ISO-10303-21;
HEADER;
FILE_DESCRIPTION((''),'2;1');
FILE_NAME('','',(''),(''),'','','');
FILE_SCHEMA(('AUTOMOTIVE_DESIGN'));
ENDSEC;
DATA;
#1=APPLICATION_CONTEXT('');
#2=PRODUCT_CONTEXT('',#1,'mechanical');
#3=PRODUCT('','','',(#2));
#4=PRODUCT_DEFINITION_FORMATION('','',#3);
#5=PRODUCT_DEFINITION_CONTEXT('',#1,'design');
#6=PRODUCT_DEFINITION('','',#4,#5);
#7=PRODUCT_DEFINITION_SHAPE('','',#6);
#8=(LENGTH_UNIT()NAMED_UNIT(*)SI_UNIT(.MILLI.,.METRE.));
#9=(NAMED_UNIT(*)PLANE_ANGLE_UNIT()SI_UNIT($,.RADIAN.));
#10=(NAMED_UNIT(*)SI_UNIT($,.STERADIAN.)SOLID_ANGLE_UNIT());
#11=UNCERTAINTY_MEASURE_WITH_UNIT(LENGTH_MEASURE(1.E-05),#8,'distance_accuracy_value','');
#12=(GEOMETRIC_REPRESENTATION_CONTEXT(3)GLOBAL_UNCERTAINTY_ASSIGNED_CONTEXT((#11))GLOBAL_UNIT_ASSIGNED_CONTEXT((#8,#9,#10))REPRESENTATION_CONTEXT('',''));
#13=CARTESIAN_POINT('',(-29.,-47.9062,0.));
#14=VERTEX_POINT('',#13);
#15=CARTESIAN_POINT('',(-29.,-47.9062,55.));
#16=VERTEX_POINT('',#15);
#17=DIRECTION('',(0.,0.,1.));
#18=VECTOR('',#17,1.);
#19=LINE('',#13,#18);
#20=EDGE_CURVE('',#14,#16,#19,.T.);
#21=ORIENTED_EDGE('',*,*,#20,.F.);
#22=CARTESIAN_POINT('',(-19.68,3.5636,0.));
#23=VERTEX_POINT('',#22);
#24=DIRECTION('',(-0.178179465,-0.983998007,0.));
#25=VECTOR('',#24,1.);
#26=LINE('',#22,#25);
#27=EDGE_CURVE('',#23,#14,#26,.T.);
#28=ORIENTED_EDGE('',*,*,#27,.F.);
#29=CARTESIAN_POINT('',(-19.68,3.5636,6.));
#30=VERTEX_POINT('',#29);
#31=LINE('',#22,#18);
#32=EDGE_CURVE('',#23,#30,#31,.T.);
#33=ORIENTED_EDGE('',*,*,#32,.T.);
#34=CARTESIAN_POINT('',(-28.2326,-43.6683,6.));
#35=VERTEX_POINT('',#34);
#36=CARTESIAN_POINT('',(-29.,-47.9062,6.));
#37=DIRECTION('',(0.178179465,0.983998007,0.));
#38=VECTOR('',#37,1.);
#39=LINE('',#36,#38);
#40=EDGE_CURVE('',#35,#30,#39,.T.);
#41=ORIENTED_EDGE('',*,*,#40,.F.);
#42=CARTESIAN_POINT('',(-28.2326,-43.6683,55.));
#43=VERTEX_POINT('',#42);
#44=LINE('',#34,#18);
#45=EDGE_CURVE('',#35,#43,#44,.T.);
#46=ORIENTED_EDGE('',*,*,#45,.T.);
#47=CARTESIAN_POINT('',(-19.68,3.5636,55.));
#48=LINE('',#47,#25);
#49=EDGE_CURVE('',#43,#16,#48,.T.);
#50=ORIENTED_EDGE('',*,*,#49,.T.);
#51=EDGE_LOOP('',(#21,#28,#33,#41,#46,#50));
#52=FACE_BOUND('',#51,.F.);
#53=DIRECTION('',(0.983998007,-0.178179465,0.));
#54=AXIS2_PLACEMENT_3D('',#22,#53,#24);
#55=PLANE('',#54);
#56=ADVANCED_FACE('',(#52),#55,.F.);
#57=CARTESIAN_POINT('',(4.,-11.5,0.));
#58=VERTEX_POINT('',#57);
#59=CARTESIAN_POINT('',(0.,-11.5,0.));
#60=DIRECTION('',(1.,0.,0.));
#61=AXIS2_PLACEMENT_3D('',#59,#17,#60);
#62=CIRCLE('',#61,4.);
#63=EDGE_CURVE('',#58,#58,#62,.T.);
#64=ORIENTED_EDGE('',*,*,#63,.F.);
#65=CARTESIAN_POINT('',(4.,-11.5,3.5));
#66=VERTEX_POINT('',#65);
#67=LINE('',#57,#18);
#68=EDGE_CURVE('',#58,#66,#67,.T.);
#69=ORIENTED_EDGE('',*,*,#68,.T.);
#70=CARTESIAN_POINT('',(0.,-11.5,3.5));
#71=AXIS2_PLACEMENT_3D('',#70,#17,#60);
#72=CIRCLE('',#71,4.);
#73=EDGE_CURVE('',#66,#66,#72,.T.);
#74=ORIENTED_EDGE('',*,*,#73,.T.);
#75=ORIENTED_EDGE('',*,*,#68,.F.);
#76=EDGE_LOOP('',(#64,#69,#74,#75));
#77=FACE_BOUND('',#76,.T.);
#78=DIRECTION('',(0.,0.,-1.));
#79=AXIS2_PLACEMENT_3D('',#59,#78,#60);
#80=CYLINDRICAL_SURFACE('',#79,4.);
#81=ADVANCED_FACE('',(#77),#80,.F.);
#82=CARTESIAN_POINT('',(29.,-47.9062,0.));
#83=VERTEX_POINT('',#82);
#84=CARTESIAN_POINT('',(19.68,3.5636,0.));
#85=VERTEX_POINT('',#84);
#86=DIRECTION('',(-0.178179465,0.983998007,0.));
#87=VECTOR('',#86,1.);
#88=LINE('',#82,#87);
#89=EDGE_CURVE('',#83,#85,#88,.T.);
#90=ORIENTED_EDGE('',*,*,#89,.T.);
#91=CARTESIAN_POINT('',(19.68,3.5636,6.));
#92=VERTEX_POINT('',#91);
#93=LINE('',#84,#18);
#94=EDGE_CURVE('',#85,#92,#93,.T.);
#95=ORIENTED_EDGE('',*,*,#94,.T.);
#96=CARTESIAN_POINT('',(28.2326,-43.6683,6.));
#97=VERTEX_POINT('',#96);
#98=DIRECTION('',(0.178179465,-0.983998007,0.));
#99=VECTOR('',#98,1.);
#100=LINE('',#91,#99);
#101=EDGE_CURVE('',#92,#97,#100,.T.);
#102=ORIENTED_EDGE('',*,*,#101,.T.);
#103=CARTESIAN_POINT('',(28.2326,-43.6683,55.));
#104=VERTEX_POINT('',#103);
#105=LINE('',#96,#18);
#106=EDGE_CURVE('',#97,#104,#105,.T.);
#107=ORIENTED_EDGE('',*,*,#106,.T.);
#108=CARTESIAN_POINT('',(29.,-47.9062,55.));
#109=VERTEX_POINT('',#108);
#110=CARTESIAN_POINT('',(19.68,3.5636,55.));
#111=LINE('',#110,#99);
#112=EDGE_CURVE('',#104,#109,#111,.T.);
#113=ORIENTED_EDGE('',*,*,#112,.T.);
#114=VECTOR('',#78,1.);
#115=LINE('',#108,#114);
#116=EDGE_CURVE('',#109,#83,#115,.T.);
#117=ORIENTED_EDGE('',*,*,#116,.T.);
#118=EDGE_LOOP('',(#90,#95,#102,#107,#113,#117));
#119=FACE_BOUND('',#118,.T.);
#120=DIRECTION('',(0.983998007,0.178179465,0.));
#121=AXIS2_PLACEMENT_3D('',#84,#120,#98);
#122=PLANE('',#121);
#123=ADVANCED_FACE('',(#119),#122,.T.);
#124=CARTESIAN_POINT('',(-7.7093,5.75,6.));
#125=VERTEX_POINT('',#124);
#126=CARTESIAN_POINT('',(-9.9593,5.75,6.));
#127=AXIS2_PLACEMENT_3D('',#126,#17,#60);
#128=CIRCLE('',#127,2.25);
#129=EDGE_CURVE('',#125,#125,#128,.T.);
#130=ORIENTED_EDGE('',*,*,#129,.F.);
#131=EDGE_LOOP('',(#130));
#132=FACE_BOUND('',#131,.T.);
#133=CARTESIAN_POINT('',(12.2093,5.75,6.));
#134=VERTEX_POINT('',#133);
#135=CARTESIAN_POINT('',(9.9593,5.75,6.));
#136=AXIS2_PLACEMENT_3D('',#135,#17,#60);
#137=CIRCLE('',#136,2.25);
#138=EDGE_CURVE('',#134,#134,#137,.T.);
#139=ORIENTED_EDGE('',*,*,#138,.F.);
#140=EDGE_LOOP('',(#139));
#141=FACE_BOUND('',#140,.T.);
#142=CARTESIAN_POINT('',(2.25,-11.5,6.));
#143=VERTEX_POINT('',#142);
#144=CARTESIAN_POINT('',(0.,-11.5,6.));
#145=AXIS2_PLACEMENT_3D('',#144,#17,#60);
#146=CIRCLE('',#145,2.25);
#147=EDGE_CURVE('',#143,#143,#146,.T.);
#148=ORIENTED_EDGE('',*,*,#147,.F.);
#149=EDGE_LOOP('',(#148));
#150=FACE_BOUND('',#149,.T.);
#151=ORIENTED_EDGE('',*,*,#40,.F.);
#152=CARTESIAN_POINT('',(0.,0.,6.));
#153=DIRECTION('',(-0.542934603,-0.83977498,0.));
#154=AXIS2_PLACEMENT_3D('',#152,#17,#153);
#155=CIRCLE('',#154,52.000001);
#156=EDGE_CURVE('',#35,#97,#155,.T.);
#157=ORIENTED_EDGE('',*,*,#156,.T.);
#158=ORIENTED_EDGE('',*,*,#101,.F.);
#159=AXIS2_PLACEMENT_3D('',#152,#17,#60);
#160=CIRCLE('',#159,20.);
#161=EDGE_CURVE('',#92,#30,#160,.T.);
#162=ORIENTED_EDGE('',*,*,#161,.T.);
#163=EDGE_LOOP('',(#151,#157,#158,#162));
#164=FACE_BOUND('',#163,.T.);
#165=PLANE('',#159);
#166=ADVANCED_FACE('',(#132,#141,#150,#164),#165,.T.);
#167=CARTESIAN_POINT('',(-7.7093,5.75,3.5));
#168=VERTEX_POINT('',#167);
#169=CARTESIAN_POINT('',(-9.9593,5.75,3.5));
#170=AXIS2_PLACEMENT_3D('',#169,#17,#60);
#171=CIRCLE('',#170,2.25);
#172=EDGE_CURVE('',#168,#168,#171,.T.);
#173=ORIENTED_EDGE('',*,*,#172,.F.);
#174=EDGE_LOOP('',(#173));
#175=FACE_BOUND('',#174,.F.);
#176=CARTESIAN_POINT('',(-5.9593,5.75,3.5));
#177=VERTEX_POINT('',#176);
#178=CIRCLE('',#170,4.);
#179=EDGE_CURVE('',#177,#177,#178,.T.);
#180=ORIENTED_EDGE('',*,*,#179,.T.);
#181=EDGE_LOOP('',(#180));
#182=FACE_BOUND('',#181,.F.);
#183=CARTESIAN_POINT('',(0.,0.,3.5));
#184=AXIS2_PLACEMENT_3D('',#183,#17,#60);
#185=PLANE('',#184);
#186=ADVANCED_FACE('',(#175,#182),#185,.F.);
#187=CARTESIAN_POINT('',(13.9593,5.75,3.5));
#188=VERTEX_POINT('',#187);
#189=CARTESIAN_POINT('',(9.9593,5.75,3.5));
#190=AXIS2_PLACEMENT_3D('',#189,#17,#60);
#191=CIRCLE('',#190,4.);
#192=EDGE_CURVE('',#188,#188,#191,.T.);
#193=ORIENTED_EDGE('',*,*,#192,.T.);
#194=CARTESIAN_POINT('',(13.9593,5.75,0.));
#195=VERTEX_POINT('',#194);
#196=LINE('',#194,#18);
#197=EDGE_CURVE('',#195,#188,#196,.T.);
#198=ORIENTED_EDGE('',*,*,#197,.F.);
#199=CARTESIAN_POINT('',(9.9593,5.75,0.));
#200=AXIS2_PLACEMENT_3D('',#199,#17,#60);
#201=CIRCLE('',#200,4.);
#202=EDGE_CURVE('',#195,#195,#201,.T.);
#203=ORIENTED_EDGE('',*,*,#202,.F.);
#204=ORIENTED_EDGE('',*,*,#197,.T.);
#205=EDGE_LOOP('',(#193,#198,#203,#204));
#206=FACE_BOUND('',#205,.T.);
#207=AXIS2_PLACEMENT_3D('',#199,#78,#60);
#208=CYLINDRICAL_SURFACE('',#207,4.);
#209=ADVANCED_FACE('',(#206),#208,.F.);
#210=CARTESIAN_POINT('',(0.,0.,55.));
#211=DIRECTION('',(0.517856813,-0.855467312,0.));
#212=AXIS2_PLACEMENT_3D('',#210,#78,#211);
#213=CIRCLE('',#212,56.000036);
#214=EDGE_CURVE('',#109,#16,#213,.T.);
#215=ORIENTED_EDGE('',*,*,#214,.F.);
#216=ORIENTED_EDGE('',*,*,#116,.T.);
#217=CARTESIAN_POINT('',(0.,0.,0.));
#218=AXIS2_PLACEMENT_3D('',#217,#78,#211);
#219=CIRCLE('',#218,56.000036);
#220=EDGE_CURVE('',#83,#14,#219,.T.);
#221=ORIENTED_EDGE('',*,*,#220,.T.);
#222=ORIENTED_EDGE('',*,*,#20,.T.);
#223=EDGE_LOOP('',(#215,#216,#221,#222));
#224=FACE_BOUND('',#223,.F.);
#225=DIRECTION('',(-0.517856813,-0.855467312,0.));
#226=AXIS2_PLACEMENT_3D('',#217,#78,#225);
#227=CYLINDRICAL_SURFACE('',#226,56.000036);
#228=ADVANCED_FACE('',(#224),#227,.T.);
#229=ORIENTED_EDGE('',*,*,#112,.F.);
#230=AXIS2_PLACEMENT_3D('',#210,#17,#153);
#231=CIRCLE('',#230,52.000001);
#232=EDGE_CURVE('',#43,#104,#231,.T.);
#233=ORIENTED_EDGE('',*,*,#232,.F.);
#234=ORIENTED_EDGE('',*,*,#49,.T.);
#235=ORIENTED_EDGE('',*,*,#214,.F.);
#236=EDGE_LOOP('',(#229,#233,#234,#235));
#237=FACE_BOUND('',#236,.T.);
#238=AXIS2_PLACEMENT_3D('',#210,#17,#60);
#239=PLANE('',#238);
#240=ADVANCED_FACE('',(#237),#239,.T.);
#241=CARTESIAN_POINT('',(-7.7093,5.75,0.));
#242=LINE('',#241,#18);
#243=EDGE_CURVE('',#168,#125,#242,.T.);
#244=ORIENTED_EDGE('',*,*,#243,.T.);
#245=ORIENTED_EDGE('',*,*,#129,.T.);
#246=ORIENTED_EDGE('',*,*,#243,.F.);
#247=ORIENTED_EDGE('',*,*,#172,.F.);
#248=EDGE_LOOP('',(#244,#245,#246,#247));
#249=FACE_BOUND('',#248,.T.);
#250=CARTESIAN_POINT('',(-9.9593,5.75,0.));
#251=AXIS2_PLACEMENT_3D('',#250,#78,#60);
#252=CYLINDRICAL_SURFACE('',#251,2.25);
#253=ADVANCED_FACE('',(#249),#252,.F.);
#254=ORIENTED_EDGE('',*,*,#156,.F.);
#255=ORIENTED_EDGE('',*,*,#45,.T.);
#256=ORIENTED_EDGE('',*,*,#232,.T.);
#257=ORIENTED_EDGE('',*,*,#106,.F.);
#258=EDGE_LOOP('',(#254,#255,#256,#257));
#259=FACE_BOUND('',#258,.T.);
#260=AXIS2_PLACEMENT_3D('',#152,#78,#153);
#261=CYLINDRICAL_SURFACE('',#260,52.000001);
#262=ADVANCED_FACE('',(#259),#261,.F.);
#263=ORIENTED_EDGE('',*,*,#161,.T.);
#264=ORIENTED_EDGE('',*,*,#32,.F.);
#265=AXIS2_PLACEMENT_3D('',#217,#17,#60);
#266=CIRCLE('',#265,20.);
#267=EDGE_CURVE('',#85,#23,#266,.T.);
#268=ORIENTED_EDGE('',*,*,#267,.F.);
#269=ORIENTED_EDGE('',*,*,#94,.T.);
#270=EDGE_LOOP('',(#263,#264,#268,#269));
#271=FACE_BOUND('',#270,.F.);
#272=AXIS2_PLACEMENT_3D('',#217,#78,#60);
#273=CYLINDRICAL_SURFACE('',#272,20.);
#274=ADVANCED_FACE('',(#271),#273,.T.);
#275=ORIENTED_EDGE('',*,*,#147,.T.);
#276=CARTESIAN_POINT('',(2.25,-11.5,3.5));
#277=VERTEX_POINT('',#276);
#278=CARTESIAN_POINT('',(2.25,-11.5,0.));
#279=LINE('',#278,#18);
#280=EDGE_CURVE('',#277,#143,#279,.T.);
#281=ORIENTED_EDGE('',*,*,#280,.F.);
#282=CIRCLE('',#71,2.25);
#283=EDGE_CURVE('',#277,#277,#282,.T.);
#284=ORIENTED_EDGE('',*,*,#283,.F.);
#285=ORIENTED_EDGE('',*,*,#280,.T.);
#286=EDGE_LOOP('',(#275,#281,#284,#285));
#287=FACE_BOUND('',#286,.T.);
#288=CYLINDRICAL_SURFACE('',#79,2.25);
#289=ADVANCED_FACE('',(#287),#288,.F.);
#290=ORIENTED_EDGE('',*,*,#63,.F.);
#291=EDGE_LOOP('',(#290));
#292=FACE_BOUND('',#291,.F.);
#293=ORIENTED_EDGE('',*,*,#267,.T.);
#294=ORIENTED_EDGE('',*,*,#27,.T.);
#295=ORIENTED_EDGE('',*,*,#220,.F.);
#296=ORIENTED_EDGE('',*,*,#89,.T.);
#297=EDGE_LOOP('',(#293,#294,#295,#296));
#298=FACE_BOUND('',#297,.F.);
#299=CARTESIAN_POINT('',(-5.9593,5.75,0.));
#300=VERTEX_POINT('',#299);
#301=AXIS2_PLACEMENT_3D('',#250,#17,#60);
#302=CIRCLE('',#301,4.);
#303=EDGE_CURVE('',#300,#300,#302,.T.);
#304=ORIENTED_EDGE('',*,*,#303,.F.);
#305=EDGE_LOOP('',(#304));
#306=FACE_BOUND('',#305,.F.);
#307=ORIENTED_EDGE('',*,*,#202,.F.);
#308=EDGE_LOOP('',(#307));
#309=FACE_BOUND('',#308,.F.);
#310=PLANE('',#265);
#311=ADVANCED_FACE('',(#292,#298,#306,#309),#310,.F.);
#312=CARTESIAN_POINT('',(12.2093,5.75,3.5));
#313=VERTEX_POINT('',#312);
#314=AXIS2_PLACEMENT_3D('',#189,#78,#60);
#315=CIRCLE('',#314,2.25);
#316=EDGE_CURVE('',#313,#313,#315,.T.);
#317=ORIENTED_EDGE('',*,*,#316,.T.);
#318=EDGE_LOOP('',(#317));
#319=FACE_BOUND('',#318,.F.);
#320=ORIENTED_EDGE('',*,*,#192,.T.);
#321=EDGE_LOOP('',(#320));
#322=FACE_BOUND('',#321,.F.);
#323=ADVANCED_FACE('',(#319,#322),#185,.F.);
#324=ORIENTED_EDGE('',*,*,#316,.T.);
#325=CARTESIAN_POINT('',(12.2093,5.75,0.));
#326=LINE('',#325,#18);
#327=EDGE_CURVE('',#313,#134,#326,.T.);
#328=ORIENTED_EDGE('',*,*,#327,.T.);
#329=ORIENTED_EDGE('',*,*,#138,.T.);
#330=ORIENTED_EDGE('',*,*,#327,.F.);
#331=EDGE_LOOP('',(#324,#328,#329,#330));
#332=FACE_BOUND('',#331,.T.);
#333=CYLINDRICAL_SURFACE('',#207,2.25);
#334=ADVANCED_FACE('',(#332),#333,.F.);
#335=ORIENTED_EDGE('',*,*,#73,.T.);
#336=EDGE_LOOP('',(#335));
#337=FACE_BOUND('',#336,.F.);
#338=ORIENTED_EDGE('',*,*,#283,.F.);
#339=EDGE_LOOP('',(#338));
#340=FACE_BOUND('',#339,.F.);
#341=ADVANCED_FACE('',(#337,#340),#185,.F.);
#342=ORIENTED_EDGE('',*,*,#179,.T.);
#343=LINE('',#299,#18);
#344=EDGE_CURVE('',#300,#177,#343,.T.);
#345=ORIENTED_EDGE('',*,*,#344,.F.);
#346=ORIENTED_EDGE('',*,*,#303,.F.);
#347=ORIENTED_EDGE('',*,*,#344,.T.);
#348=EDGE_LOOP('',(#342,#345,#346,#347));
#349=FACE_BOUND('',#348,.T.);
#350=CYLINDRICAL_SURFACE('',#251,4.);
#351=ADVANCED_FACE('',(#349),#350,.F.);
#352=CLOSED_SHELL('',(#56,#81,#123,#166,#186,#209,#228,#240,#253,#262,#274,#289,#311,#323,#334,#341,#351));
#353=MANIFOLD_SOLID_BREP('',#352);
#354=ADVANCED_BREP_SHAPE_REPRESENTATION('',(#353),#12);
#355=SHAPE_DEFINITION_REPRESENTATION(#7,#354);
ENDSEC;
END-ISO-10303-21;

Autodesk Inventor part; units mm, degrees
ref_plane "YZ Plane" through (0, 0, 0) normal (1, 0, 0) x (0, 1, 0)
ref_plane "XZ Plane" through (0, 0, 0) normal (0, 1, 0) x (-1, 0, 0)
ref_plane "XY Plane" through (0, 0, 0) normal (0, 0, 1) x (1, 0, 0)
sketch "Sketch1" plane through (0, 0, 0) normal (0, 0, 1) x (1, 0, 0)
  circle A0 centre (0, 0) radius 20
  line L0 (-19.68, 3.5636) -> (-29, -47.9062)
  line L1 (19.68, 3.5636) -> (29, -47.9062)
  line L2 (9.9593, -5.75) -> (0, 0) construction
  circle A1 centre (8.4134, -4.8575) radius 2.5
  line L3 (0, 0) -> (9.9593, 5.75) construction
  line L4 (0, 0) -> (-9.9593, -5.75) construction
  circle A2 centre (-8.4134, -4.8575) radius 2.5
  circle A3 centre (0, 0) radius 9.715 construction
  circle A4 centre (0, 0) radius 11.5 construction
  circle A5 centre (0, 9.715) radius 2.5
  line L5 (0, 0) -> (-9.9593, 5.75) construction
  line L6 (11.5, 0) -> (-11.5, 0) construction
  circle A6 centre (-9.9593, 5.75) radius 4
  circle A7 centre (-9.9593, 5.75) radius 2.25
  line L7 (0, -48.5721) -> (0, 22.5) construction
  circle A8 centre (0, -11.5) radius 2.25
  circle A9 centre (0, -11.5) radius 4
  circle A10 centre (9.9593, 5.75) radius 4
  circle A11 centre (9.9593, 5.75) radius 2.25
  arc A12 (-28.2326, -43.6683) -> (28.2326, -43.6683) centre (0, 0) ccw
  arc A13 (-29, -47.9062) -> (29, -47.9062) centre (0, 0) ccw
  line L8 (8, -59.5) -> (-8, -59.5)
  line L9 (-8, -59.5) -> (-8, -52.5)
  line L10 (-8, -52.5) -> (8, -52.5)
  line L11 (8, -52.5) -> (8, -59.5)
  line L12 (8, -59.5) -> (-8, -52.5) construction
  line L13 (-8, -59.5) -> (8, -52.5) construction
  point P0 (0, 11.4686)
  point P1 (0, 11.4686)
  point P2 (11.5, 0)
  point P3 (-11.5, 0)
  point P4 (0, -56)
  dimension "d18" = 23
  dimension "d0" = 40
  dimension "d17" = 19.43
  dimension "d19" = 30
  dimension "d20" = 30
  dimension "d21" = 4.5
  dimension "d22" = 8
  dimension "d23" = 5
  dimension "d24" = 104
  dimension "d25" = 112
  dimension "d48" = 58
  dimension "d60" = 16
  dimension "d61" = 7
  dimension "d40" = 14
  dimension "d41" = 50
  dimension "d50" = 25
  dimension "d51" = 35
  dimension "d52" = 2.5
  dimension "d53" = 4
extrude "Extrusion1" add sketch "Sketch1" along normal blind 6 contours A0 | A0 L1 A12 L0 | L1 A13 L11 L10 L9 L0 A12 | A13 L9 L10 L11 | A1 | A2 | A5 | A6 | A9 | A10
extrude "Extrusion2" cut sketch "Sketch1" along normal blind 3.5 contours A6 | A9 | A10 | A11
extrude "Extrusion4" add sketch "Sketch1" along normal blind 49 from surface at 6 contours L1 A13 L11 L10 L9 L0 A12 | A13 L9 L10 L11
properties part number "thigh_hip_connector"
